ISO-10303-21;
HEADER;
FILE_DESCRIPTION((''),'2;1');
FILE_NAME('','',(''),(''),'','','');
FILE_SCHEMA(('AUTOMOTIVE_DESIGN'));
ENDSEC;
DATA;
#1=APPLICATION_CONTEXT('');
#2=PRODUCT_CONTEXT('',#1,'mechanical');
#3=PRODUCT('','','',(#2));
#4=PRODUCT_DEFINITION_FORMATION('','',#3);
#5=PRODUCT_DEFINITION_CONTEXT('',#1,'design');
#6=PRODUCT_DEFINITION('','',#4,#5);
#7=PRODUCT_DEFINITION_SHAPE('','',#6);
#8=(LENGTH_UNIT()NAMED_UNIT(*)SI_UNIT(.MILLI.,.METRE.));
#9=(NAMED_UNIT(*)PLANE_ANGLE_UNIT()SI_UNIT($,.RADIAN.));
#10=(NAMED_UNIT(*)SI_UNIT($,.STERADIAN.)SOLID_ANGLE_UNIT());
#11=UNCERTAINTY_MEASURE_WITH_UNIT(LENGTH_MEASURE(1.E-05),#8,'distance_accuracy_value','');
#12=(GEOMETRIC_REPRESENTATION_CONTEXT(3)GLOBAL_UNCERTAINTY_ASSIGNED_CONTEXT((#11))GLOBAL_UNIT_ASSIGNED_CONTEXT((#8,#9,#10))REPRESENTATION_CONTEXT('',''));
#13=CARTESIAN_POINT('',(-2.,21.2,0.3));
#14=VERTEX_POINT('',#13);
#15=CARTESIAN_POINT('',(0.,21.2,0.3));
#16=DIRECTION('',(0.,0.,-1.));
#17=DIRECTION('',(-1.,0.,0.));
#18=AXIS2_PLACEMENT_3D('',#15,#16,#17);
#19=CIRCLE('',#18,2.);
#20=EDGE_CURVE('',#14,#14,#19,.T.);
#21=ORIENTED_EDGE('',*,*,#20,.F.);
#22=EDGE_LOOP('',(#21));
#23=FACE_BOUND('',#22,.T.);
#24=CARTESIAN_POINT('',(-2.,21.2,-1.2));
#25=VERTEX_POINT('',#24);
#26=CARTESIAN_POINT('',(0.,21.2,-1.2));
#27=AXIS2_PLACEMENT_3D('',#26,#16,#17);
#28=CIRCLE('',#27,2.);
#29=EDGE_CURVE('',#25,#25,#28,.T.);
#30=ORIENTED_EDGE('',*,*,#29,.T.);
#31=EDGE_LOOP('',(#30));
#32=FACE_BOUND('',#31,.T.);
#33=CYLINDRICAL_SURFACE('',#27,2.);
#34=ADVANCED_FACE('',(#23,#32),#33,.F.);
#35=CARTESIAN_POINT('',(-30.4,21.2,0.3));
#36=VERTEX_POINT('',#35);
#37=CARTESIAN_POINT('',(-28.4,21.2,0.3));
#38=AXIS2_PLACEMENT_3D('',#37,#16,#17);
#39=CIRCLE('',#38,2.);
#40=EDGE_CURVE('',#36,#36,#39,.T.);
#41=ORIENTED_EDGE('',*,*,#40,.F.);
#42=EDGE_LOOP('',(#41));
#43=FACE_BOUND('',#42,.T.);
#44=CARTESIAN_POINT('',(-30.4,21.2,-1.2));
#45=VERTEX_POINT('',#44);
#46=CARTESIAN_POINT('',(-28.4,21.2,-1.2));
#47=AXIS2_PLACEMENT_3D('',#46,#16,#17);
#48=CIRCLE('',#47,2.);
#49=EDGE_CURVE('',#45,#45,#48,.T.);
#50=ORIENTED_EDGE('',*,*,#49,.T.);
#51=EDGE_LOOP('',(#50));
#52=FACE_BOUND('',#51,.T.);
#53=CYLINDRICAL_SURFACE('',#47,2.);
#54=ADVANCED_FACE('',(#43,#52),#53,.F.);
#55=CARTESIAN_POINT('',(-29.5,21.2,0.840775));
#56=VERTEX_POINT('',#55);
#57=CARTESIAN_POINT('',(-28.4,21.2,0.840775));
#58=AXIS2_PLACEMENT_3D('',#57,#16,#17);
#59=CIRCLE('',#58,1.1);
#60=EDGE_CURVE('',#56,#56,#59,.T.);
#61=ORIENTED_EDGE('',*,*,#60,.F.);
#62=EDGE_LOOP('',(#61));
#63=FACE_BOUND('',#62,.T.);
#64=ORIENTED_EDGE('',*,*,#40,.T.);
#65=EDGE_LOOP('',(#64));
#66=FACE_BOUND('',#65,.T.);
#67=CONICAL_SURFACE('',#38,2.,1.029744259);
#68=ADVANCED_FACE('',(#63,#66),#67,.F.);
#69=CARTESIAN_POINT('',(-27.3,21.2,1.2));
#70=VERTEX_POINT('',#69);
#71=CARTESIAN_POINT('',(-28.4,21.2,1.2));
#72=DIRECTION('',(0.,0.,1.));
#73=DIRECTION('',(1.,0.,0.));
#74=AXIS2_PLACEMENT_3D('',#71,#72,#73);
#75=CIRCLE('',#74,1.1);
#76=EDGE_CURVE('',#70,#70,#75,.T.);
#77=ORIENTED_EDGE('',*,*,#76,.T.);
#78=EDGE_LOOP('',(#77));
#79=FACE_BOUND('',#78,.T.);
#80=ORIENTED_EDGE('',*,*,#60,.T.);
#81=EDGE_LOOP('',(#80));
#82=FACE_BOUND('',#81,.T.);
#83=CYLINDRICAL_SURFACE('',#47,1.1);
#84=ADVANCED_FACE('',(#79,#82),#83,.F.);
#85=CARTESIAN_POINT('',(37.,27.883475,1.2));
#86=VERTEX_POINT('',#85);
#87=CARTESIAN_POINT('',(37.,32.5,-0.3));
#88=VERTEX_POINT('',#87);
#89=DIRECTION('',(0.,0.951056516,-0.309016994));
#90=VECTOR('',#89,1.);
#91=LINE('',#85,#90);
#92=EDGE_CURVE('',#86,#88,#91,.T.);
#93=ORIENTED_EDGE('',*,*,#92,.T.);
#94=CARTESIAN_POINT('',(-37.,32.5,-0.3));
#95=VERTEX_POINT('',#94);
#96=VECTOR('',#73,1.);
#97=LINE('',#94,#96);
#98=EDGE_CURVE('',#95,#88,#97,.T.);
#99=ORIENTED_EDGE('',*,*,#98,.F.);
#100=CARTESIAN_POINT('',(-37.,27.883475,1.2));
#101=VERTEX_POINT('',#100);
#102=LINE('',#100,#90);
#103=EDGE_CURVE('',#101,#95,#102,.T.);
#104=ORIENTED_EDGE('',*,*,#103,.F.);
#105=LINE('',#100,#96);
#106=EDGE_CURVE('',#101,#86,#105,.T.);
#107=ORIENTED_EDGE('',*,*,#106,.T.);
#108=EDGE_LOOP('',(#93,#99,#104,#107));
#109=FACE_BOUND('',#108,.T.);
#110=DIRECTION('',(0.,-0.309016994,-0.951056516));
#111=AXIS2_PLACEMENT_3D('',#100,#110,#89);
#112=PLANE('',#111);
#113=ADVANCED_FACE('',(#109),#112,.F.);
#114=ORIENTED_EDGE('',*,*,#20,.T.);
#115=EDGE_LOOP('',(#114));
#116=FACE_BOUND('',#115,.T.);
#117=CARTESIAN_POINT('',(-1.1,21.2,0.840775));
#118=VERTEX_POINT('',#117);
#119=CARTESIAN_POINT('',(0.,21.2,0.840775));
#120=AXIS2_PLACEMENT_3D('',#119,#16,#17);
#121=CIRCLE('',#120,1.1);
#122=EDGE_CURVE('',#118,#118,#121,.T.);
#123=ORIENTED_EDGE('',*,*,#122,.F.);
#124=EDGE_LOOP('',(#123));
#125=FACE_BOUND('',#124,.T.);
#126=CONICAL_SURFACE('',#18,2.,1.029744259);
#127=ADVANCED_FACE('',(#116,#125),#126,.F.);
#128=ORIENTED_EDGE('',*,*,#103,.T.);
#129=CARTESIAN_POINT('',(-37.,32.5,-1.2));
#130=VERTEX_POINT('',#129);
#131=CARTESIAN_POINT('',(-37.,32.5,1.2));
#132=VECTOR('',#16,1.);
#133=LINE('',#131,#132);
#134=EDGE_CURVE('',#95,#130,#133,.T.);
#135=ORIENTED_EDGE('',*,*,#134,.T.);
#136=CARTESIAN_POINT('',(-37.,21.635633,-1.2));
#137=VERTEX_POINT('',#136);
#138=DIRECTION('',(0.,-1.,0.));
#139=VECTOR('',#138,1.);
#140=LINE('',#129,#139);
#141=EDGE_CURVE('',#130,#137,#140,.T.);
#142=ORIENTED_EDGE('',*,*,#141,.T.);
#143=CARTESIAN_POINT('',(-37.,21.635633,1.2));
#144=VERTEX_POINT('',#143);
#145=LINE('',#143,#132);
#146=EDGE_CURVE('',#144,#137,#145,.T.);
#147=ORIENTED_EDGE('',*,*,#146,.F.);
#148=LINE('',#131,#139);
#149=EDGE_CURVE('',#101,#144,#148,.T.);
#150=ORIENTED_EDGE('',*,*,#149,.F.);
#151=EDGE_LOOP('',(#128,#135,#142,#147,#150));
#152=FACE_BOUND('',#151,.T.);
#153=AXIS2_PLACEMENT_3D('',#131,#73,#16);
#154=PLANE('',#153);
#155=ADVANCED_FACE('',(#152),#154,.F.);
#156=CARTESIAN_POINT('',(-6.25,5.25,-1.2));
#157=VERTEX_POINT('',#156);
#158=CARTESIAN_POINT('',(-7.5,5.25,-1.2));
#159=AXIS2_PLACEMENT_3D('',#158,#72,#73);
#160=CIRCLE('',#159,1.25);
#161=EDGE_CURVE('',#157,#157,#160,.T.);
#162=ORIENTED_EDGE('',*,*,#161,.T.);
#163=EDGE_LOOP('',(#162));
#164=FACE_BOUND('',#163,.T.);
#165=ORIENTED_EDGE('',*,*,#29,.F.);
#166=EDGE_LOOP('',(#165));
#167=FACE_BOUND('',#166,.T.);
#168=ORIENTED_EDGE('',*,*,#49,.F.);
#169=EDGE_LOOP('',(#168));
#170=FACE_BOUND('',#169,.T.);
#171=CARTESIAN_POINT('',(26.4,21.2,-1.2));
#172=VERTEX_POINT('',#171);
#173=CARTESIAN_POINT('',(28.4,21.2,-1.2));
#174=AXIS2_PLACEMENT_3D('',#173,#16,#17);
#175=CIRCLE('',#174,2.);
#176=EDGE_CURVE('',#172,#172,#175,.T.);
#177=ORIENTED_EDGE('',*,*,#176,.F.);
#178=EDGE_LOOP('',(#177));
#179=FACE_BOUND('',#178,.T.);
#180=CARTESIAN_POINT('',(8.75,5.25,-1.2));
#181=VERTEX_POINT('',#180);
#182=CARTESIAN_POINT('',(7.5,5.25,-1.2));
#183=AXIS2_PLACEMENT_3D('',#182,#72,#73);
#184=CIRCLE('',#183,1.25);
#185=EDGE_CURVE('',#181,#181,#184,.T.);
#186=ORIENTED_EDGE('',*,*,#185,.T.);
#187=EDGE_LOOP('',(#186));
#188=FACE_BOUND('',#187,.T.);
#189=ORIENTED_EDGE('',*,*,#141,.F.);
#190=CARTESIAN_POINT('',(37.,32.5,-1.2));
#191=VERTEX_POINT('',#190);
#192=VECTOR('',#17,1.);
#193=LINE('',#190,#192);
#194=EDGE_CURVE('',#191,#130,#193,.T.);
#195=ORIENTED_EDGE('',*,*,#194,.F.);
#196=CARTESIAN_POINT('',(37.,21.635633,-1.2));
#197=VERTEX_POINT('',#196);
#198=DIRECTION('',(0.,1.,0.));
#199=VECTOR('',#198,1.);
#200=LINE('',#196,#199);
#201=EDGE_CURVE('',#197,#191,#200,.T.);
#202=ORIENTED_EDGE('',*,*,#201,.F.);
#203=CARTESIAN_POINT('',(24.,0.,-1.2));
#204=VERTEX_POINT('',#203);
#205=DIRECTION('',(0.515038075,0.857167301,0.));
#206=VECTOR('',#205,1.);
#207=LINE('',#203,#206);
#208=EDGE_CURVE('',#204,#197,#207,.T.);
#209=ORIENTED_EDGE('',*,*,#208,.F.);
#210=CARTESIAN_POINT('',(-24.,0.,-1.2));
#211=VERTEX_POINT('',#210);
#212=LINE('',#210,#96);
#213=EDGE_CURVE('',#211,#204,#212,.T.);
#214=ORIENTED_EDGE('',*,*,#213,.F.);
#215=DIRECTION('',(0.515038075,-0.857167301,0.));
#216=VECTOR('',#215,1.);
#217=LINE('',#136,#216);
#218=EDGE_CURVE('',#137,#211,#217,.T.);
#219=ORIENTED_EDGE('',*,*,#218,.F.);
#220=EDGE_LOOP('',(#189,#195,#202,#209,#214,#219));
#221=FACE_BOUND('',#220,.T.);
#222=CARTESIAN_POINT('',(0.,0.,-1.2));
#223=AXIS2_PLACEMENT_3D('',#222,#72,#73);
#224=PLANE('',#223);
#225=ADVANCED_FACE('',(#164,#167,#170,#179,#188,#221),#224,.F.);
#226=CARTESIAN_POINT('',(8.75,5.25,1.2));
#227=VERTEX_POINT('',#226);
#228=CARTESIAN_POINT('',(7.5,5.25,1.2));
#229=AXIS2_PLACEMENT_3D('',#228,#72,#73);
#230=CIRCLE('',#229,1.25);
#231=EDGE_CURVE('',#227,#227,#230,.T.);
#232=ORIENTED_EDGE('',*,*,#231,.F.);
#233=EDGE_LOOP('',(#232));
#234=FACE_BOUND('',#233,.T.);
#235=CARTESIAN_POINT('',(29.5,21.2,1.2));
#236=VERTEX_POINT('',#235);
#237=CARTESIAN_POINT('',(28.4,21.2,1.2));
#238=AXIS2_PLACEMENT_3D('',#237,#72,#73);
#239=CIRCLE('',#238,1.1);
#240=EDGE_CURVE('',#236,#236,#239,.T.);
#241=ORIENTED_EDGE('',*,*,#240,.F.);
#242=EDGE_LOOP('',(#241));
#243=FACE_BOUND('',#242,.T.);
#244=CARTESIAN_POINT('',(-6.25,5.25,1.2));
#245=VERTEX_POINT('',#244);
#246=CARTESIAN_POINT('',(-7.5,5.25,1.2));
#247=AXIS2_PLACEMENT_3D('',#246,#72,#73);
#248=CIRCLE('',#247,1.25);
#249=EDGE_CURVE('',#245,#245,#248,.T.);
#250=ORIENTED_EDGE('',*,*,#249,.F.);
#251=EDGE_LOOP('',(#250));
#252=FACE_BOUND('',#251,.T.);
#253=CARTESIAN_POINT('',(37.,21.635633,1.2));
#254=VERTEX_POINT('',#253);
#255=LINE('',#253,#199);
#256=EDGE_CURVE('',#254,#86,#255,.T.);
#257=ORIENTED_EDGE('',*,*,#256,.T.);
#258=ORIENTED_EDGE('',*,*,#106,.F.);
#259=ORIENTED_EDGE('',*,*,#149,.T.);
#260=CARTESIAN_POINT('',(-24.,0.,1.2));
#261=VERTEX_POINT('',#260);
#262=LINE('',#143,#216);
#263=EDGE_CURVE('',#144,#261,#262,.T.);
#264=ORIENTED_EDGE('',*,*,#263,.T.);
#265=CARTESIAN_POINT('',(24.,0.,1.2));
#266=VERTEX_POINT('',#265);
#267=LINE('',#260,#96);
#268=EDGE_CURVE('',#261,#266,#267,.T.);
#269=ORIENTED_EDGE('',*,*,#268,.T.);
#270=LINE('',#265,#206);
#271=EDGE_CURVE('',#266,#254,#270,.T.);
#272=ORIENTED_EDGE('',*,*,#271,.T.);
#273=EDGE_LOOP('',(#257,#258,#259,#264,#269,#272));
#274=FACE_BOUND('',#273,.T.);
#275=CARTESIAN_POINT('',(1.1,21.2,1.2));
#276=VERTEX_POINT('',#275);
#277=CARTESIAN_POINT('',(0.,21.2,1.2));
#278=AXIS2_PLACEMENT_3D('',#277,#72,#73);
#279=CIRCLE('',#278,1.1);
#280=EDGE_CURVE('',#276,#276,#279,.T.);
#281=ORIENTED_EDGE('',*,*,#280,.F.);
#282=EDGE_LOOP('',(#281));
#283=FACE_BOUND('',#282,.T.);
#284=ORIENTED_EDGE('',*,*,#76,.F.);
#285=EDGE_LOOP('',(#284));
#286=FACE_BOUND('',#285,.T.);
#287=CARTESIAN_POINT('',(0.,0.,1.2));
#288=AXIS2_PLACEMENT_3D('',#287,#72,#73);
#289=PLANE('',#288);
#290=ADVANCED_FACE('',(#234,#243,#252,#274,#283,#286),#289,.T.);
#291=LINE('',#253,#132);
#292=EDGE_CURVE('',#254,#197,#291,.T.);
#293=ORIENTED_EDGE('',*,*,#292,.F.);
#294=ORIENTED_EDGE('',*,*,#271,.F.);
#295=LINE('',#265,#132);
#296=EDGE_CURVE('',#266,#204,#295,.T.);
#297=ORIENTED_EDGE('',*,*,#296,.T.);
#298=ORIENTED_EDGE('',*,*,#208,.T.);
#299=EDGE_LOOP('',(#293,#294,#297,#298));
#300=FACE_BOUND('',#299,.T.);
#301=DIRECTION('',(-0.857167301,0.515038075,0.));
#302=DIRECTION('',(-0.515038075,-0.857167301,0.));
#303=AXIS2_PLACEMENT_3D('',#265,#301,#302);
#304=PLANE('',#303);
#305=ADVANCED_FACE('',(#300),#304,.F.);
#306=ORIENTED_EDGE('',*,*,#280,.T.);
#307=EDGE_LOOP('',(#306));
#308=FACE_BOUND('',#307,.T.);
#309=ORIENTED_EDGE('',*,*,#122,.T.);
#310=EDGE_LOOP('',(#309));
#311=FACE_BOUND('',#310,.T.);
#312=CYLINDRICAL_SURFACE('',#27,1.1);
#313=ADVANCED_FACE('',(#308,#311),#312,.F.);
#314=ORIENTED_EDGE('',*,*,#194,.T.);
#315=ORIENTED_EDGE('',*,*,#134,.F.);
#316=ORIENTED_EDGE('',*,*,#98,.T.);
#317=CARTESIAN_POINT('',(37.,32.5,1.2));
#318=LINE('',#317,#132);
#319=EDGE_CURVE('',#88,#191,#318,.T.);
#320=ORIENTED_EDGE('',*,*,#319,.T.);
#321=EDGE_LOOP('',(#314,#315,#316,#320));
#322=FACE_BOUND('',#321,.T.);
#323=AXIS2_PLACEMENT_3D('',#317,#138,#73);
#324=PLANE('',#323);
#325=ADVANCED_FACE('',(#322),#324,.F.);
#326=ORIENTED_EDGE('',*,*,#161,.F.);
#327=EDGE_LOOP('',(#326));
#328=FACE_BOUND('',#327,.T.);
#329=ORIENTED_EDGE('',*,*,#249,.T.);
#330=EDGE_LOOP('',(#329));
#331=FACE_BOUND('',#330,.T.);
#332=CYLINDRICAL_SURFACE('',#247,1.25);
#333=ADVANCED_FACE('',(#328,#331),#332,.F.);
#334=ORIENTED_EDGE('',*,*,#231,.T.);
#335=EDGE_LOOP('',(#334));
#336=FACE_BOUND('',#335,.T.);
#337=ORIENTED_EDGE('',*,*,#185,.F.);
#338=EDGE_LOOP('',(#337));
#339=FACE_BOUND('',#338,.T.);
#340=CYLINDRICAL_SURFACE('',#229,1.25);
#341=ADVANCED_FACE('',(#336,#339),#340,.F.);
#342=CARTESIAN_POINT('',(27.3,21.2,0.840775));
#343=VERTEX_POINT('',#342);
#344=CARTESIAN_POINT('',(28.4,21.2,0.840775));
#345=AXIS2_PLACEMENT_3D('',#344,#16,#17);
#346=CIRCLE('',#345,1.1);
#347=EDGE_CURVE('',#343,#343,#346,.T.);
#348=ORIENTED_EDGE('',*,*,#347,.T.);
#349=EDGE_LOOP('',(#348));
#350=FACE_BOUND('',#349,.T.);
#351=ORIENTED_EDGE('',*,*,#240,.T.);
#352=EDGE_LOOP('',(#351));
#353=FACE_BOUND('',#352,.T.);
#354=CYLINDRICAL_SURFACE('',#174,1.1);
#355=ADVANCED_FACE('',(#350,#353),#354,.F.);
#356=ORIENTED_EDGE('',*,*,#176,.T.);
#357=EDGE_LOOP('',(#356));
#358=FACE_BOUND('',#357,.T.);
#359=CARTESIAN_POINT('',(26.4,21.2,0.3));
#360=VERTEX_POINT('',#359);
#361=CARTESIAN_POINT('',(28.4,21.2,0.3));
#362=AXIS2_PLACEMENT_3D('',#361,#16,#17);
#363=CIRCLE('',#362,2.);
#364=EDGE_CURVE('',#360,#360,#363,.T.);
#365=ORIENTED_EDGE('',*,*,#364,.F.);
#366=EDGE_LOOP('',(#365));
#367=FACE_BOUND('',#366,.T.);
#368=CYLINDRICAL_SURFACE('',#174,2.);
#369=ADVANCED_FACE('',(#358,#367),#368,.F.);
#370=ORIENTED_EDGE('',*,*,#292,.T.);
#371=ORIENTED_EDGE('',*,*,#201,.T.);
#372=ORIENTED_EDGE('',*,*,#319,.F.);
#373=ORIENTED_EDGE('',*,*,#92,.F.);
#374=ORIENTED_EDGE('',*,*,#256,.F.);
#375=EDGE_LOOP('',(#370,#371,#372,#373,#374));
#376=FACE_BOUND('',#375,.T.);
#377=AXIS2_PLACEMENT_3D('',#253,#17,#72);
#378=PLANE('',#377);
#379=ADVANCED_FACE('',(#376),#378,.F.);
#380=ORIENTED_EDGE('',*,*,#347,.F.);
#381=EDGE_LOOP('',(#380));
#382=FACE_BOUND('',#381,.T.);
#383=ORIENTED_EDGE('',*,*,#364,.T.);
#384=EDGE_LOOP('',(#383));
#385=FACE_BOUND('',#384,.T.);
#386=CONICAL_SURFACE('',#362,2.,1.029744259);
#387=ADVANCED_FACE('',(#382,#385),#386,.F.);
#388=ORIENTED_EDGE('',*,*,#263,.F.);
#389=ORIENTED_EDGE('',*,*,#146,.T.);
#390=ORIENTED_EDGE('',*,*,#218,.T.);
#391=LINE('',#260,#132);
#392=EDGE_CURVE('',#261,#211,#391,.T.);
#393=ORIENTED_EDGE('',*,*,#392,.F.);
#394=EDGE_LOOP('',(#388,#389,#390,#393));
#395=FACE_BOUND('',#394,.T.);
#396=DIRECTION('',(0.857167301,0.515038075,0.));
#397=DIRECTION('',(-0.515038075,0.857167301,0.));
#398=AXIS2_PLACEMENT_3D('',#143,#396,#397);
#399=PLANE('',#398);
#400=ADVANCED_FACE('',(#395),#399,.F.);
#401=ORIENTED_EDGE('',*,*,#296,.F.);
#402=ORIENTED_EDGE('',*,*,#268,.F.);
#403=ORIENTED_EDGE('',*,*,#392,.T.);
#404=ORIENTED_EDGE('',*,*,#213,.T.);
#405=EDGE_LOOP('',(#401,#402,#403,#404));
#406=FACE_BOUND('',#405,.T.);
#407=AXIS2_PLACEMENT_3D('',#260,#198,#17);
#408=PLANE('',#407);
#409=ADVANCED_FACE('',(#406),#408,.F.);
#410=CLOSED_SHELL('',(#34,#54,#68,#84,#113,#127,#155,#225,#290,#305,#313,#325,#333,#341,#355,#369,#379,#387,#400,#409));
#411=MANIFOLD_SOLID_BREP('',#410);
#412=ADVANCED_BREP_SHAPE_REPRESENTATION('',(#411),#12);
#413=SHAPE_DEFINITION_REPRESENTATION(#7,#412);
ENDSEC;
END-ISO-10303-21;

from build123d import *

# Parameters (mm, degrees)
BOSS_EXTRUDE1_DEPTH            = 1.2
CUT_EXTRUDE1_DEPTH             = 81.831243959
F_2_5_2_5_DIAMETER_HOLE1_D     = 2.5
F_2_5_2_5_DIAMETER_HOLE1_DEPTH = 10
F_2_5_2_5_DIAMETER_HOLE1_TIP   = 0.751075774
HOLEWZD1_AT_2_COUNT            = 2
HOLEWZD1_AT_2_PITCH            = 28.4
HOLEWZD1_AT_3_COUNT            = 2
HOLEWZD1_AT_3_PITCH            = 56.8


with BuildPart() as part:
    # Sketch1 → Boss-Extrude1 (new, symmetric)
    with BuildSketch(Plane.XY):
        Polygon((-24, 0), (24, 0), (37, 21.635633271), (37, 32.5), (-37, 32.5), (-37, 21.635633271), align=None)
    extrude(amount=BOSS_EXTRUDE1_DEPTH, both=True)

    # Sketch2 → Cut-Extrude1 (cut, through all)
    with BuildSketch(Plane(origin=(37, 0, 0), x_dir=(0, 0, -1), z_dir=(1, 0, 0))):
        Polygon((-1.2, 27.883474694), (0.3, 32.5), (-1.2, 32.5), align=None)
    extrude(amount=-CUT_EXTRUDE1_DEPTH, mode=Mode.SUBTRACT)

    # Ø2.5 (2.5) Diameter Hole1
    with Locations(Plane.XY.offset(1.2)):
        with Locations((-7.5, 5.25), (7.5, 5.25)):
            Hole(F_2_5_2_5_DIAMETER_HOLE1_D / 2, depth=F_2_5_2_5_DIAMETER_HOLE1_DEPTH)
            with Locations((0, 0, -(F_2_5_2_5_DIAMETER_HOLE1_DEPTH + F_2_5_2_5_DIAMETER_HOLE1_TIP / 2))):  # 118° drill point
                Cone(0, F_2_5_2_5_DIAMETER_HOLE1_D / 2, F_2_5_2_5_DIAMETER_HOLE1_TIP, mode=Mode.SUBTRACT)

    # Sketch10 → HoleWzd1 (revolve, cut)
    with BuildSketch(Plane(origin=(28.4, 21.2, -1.2), x_dir=(0, 1, 0), z_dir=(1, 0, 0))):
        Polygon((0, 0), (0, 2.4), (1.1, 2.4), (1.1, 2.040774557), (2, 1.5), (2, 0), align=None)
    holewzd1 = revolve(axis=Axis((28.4, 21.2, -7.330023899), (0, 0, 1)), mode=Mode.SUBTRACT)

    # HoleWzd1 at 2: HoleWzd1 ×2
    with Locations(*[(-i * HOLEWZD1_AT_2_PITCH, 0, 0) for i in range(1, HOLEWZD1_AT_2_COUNT)]):
        add(holewzd1, mode=Mode.SUBTRACT)

    # HoleWzd1 at 3: HoleWzd1 ×2
    with Locations(*[(-i * HOLEWZD1_AT_3_PITCH, 0, 0) for i in range(1, HOLEWZD1_AT_3_COUNT)]):
        add(holewzd1, mode=Mode.SUBTRACT)


solid = part.part
